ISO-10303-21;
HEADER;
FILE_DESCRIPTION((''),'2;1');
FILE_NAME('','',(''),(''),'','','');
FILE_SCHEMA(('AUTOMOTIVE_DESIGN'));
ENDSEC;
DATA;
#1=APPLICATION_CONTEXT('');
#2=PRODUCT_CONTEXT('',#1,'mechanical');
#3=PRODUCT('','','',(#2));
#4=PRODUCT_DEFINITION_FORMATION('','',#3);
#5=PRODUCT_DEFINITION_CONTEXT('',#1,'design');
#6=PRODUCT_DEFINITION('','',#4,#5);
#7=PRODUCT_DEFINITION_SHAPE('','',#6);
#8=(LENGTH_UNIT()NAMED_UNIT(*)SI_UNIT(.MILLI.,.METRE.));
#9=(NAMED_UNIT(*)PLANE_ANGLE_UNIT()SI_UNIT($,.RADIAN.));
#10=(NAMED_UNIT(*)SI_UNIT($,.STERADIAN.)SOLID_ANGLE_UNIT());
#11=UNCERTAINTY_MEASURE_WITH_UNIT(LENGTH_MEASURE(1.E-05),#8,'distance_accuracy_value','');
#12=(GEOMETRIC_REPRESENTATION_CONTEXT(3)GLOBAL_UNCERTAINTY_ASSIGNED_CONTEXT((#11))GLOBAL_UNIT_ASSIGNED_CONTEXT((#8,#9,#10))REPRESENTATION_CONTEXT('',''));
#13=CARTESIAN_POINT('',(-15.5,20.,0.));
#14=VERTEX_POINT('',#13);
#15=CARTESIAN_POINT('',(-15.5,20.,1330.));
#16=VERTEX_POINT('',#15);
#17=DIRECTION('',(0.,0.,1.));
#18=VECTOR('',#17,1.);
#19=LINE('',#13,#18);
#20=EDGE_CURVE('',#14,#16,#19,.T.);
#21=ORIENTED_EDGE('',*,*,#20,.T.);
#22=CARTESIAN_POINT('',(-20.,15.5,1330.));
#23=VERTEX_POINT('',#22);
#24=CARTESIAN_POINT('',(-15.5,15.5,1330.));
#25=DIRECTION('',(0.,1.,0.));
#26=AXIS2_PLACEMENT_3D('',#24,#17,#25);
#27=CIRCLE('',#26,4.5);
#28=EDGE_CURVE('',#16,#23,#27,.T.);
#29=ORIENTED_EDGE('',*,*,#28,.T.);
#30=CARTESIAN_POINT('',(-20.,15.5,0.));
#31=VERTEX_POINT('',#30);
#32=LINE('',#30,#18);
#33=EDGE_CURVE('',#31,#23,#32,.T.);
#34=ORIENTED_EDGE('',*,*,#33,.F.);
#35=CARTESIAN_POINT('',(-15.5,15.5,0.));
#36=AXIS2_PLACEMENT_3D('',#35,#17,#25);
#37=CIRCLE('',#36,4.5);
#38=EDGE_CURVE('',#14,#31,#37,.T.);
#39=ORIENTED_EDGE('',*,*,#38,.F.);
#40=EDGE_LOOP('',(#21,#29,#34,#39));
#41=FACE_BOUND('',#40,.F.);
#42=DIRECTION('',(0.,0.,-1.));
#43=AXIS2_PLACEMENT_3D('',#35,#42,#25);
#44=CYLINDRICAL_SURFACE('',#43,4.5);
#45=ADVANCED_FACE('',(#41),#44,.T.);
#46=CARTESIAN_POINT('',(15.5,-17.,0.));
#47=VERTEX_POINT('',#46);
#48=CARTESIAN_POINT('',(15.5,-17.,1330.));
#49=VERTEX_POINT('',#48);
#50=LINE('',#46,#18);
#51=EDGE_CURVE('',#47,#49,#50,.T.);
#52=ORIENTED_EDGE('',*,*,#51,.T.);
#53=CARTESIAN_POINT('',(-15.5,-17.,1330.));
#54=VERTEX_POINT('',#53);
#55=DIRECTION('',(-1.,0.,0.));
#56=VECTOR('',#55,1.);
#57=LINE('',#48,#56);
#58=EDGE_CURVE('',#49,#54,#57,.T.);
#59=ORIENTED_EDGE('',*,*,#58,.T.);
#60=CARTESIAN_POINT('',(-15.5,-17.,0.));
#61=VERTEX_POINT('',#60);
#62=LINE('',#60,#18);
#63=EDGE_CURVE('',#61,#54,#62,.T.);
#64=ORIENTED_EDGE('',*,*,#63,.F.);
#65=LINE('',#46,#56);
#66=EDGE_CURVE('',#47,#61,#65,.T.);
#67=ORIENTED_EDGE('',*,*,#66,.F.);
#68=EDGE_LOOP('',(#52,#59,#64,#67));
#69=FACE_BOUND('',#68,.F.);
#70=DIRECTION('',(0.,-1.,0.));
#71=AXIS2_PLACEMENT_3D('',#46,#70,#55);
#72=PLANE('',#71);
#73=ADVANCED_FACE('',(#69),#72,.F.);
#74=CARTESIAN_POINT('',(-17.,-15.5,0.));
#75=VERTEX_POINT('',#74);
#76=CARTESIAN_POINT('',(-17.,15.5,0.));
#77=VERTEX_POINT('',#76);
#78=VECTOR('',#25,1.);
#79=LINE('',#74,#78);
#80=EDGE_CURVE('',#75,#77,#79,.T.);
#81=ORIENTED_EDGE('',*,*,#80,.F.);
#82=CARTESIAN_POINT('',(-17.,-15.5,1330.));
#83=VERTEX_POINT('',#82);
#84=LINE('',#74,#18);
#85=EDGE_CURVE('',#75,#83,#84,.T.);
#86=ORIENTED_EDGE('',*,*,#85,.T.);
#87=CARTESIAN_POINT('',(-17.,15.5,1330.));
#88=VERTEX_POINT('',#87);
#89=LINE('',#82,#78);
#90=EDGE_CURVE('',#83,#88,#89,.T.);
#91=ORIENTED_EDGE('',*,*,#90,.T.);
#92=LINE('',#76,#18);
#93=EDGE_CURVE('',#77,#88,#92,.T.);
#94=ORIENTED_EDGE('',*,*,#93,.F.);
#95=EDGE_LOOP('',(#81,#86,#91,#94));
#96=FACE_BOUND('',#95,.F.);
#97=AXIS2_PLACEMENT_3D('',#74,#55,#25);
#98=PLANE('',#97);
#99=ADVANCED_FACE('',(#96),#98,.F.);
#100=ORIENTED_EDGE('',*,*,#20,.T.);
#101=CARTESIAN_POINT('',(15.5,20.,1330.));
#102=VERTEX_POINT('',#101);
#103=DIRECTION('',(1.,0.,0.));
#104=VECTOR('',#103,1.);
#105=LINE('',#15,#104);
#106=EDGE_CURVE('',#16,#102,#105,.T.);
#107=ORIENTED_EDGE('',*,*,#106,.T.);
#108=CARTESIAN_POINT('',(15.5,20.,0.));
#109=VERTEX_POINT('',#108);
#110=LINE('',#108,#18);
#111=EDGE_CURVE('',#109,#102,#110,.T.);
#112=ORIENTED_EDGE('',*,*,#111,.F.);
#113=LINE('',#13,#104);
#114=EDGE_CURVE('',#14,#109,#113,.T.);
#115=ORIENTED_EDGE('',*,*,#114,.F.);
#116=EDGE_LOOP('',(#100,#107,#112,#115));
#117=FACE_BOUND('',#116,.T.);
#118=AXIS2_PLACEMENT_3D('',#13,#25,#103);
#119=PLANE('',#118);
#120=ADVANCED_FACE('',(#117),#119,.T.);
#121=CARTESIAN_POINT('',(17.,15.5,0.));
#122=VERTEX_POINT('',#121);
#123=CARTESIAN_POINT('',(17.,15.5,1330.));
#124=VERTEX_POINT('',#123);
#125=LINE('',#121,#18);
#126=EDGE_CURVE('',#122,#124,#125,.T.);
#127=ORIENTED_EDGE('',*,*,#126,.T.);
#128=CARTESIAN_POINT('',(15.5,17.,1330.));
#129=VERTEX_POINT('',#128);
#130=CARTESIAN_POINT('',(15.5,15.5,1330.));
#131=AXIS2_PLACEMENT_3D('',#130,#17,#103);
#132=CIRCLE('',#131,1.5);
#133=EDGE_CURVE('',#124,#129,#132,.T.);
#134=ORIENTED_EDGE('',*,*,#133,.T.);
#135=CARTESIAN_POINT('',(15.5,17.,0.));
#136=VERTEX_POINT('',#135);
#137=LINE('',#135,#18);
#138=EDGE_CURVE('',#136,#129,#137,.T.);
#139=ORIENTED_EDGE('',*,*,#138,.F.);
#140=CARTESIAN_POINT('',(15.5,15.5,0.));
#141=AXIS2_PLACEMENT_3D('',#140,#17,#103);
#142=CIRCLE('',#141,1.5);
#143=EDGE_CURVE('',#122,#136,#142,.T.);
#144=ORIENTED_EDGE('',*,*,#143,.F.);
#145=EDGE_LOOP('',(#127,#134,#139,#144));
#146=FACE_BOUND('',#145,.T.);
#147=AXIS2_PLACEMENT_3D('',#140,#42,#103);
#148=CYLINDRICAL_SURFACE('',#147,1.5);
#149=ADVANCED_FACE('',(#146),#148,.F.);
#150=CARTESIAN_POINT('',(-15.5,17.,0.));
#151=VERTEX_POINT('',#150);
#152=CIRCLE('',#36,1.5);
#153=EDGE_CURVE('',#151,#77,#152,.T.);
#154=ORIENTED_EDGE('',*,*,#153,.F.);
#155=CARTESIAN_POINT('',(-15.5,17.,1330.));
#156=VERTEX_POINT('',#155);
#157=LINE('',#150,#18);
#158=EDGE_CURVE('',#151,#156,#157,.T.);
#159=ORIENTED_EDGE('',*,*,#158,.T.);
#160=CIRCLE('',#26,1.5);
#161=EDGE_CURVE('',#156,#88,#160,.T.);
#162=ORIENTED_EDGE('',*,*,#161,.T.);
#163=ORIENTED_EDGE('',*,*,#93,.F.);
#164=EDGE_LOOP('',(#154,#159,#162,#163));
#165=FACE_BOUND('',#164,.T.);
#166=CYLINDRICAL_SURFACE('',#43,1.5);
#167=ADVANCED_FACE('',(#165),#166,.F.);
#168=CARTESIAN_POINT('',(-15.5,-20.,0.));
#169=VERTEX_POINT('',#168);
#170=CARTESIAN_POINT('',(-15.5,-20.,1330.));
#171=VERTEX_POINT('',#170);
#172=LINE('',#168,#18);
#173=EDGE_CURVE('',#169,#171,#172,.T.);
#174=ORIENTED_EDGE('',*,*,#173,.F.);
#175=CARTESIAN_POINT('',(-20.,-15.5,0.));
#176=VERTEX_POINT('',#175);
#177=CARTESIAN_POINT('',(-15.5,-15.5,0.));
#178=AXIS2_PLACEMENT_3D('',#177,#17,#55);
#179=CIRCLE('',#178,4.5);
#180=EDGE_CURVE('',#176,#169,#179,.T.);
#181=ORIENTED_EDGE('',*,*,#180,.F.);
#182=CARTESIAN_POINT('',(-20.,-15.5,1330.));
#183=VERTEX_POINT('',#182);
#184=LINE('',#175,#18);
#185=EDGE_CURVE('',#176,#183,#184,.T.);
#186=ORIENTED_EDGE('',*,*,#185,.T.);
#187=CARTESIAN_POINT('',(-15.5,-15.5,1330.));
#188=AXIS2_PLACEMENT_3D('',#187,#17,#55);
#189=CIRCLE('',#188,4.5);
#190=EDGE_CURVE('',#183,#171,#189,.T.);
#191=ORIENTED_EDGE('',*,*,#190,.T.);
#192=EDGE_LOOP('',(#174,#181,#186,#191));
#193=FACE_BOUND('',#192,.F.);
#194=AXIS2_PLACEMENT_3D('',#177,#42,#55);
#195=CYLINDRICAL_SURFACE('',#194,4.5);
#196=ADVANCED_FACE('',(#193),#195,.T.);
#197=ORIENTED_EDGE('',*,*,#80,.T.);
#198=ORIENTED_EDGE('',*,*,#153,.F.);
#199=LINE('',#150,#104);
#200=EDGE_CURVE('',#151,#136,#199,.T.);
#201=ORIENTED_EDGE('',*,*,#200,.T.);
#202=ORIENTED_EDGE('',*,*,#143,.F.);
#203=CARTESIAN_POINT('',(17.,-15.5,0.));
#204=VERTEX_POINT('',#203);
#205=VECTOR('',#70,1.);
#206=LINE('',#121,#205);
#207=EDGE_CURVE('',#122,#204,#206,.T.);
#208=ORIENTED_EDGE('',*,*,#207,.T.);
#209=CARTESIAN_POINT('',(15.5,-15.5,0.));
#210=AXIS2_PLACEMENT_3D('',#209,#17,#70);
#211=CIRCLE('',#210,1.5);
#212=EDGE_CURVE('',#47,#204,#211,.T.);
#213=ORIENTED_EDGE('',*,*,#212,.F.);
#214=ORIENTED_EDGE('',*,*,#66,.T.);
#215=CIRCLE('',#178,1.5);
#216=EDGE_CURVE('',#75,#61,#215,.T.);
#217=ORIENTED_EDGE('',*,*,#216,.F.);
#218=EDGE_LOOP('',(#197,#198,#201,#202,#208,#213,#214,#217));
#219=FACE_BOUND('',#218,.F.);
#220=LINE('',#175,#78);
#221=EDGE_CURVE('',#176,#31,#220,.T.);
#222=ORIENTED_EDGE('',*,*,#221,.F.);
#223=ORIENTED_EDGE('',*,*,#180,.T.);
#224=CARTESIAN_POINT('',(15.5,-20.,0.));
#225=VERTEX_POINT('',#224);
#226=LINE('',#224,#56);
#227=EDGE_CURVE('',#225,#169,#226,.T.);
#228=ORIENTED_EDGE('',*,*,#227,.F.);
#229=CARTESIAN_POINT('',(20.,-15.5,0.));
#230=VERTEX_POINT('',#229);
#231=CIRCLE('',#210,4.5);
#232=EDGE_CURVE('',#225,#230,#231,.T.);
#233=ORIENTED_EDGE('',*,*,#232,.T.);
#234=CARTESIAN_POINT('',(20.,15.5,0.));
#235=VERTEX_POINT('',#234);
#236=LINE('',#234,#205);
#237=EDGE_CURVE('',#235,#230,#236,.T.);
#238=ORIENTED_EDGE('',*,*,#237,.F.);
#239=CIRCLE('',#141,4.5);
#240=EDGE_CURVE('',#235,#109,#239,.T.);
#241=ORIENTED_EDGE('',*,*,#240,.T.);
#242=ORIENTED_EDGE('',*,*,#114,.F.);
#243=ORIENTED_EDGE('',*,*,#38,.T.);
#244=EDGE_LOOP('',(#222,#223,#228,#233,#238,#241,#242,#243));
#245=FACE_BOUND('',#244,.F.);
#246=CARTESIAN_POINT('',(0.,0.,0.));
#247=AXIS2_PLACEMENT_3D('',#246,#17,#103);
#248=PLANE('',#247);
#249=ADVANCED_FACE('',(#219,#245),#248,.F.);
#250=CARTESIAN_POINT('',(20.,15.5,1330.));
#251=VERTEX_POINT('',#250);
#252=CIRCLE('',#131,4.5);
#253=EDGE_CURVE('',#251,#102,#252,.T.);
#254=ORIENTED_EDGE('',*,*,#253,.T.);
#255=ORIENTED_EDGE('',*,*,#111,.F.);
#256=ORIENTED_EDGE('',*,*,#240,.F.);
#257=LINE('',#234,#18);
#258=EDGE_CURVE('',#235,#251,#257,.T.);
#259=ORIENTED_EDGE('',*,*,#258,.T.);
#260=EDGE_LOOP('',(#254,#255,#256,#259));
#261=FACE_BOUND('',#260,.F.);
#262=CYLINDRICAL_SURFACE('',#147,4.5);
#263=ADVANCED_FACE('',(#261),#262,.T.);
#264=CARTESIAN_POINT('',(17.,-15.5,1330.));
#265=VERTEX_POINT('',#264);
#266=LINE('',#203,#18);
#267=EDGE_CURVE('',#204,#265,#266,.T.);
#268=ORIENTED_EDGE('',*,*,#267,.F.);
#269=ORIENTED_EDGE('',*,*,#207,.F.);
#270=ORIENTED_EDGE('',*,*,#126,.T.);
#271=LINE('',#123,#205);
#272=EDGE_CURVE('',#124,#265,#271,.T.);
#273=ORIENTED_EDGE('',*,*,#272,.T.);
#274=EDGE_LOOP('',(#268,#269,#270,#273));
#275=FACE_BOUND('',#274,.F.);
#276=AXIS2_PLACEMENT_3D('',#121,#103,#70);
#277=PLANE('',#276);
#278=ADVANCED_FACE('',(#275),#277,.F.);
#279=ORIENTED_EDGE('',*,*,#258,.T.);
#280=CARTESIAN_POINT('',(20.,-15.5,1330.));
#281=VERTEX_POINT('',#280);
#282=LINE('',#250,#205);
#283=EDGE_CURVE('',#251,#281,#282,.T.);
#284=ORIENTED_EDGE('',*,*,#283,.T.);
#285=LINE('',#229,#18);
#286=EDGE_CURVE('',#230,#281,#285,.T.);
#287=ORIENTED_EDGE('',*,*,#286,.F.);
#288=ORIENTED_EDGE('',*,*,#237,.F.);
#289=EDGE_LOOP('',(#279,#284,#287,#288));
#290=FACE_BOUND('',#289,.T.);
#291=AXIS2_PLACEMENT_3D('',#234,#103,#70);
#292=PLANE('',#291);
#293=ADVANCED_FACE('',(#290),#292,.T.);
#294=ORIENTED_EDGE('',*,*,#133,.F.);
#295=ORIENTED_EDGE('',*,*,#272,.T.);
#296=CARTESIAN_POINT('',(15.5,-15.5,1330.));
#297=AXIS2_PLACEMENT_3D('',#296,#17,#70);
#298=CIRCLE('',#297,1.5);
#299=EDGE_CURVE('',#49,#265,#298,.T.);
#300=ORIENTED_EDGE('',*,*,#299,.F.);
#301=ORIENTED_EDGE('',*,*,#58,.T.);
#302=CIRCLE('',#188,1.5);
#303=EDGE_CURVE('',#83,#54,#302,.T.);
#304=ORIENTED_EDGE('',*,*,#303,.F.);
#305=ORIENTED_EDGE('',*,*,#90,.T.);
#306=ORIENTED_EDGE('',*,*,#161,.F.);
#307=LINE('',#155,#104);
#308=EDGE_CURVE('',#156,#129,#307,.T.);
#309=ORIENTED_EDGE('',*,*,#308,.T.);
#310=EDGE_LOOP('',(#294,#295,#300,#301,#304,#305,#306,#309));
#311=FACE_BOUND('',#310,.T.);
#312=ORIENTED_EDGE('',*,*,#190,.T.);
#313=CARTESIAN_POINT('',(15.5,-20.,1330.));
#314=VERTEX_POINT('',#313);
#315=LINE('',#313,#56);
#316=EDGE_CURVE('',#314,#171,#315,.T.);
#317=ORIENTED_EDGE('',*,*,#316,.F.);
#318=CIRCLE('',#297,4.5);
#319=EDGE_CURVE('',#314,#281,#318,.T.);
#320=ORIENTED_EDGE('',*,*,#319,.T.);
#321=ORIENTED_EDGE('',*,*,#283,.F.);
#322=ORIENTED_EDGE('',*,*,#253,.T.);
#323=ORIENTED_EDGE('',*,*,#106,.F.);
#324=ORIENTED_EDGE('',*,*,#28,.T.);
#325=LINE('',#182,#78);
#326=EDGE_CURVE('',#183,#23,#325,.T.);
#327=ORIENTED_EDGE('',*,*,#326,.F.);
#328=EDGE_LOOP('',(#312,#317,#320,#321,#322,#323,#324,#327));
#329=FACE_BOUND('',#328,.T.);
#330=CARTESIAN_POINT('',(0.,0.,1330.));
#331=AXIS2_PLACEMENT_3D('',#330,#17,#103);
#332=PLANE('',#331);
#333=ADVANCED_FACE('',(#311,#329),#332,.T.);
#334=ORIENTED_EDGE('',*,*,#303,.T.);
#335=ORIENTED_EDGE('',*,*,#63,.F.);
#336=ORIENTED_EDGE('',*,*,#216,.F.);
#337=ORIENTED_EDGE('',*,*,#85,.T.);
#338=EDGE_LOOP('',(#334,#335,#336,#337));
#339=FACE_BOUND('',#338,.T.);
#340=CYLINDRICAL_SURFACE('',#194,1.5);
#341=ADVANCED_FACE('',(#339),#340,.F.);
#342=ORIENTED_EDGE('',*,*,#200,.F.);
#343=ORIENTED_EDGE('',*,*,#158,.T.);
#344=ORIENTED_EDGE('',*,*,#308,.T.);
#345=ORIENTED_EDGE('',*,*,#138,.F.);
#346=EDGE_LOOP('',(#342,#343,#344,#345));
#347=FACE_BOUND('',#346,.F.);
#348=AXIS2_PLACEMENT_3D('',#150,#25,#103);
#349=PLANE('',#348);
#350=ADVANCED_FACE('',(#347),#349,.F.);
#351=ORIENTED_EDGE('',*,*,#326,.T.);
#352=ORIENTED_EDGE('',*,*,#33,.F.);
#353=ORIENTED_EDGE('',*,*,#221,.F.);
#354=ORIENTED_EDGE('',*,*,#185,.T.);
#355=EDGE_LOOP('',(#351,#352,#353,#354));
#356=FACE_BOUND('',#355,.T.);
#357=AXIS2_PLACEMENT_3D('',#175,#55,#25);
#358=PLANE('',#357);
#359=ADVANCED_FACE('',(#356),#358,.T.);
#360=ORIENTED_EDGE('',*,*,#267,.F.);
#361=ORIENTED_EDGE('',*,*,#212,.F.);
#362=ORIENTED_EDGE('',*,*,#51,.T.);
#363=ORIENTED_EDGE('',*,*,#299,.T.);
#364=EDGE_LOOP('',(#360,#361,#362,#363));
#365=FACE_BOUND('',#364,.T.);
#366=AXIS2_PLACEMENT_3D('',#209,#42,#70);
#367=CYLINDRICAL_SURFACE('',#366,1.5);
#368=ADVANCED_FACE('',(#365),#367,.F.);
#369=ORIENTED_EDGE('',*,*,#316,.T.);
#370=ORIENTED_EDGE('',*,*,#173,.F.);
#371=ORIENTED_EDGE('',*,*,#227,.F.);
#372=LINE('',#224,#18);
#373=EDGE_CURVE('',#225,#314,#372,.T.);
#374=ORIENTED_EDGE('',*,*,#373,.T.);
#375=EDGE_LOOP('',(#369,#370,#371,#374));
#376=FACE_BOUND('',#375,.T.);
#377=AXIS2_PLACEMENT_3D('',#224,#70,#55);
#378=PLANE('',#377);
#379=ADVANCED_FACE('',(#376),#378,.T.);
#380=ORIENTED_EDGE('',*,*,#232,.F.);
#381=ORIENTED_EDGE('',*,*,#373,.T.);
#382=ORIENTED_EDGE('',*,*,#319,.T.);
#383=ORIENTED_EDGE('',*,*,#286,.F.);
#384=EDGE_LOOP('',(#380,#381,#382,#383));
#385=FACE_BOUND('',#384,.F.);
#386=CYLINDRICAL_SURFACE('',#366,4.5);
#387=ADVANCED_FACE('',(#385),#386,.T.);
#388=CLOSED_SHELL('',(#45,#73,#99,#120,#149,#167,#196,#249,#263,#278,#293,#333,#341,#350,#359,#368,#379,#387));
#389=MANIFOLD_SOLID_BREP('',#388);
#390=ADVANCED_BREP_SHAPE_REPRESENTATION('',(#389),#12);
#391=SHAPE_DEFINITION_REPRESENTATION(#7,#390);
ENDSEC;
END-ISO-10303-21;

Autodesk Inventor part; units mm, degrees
ref_plane "Start Plane" through (0, 0, 0) normal (0, 0, 1) x (1, 0, 0)
ref_plane "End Plane" through (0, 0, 1330) normal (0, 0, 1) x (1, 0, 0)
sketch "Sketch" plane through (0, 0, 0) normal (0, 0, 1) x (1, 0, 0)
  line L0 (-20, -15.5) -> (-20, 15.5)
  line L1 (-15.5, 20) -> (15.5, 20)
  line L2 (20, 15.5) -> (20, -15.5)
  line L3 (15.5, -20) -> (-15.5, -20)
  arc A0 (-20, -15.5) -> (-15.5, -20) centre (-15.5, -15.5) ccw
  arc A1 (-15.5, 20) -> (-20, 15.5) centre (-15.5, 15.5) ccw
  arc A2 (20, 15.5) -> (15.5, 20) centre (15.5, 15.5) ccw
  arc A3 (15.5, -20) -> (20, -15.5) centre (15.5, -15.5) ccw
  arc A4 (-15.5, 17) -> (-17, 15.5) centre (-15.5, 15.5) ccw
  line L4 (-15.5, 17) -> (15.5, 17)
  arc A5 (17, 15.5) -> (15.5, 17) centre (15.5, 15.5) ccw
  line L5 (17, 15.5) -> (17, -15.5)
  arc A6 (15.5, -17) -> (17, -15.5) centre (15.5, -15.5) ccw
  line L6 (15.5, -17) -> (-15.5, -17)
  arc A7 (-17, -15.5) -> (-15.5, -17) centre (-15.5, -15.5) ccw
  line L7 (-17, -15.5) -> (-17, 15.5)
  line L8 (0, 29.3048) -> (0, -29.3048) construction
  line L9 (-29.3048, 0) -> (29.3048, 0) construction
  dimension "d7" = 4.5
  dimension "d10" = 40
  dimension "d11" = 40
  dimension "d12" = 3
  dimension "d15" = 20
  dimension "d16" = 20
extrude "Body" add sketch "Sketch" along normal up to surface (1330 mm away) from surface at 0
sketch "Sketch3" plane through (0, 0, 0) normal (0, 0, 1) x (1, 0, 0)
  line L0 (0, 0) -> (10, 0)
ref_plane "Work Plane3" through (0, 0, 0) normal (0, -1, 0) x (1, 0, 0)
ref_plane "Work Plane4" through (0, 15.5, 1330) normal (0, 0, 1) x (1, 0, 0)
split "Split1" plane through (0, 15.5, 1330) removes the side toward (0, 0, 1)
sketch "Sketch4" plane through (0, 0, 0) normal (0, -1, 0) x (1, 0, 0)
  line L0 (-2, 0) -> (12, 0) projected
  line L1 (-2, 1330) -> (12, 1330) projected
  dimension "d18" = 1330
equation "\"d7\" = G_IR"
equation "\"d10\" = G_H"
equation "\"d11\" = G_W"
equation "\"d12\" = G_T"
equation "\"d15\" = 0.5 * d10"
equation "\"d16\" = 0.5 * d11"
equation "\"d3\" = G_L"
equation "\"G_W\" = 40"
equation "\"G_H\" = 40"
equation "\"G_T\" = 3"
equation "\"G_IR\" = 4.5"
equation "\"G_L\" = d18"
equation "\"G_OFFSET_START\" = 0"
properties part number "ISO 12633-2 - 40x40x3 - 1330" material "Steel, Mild"
